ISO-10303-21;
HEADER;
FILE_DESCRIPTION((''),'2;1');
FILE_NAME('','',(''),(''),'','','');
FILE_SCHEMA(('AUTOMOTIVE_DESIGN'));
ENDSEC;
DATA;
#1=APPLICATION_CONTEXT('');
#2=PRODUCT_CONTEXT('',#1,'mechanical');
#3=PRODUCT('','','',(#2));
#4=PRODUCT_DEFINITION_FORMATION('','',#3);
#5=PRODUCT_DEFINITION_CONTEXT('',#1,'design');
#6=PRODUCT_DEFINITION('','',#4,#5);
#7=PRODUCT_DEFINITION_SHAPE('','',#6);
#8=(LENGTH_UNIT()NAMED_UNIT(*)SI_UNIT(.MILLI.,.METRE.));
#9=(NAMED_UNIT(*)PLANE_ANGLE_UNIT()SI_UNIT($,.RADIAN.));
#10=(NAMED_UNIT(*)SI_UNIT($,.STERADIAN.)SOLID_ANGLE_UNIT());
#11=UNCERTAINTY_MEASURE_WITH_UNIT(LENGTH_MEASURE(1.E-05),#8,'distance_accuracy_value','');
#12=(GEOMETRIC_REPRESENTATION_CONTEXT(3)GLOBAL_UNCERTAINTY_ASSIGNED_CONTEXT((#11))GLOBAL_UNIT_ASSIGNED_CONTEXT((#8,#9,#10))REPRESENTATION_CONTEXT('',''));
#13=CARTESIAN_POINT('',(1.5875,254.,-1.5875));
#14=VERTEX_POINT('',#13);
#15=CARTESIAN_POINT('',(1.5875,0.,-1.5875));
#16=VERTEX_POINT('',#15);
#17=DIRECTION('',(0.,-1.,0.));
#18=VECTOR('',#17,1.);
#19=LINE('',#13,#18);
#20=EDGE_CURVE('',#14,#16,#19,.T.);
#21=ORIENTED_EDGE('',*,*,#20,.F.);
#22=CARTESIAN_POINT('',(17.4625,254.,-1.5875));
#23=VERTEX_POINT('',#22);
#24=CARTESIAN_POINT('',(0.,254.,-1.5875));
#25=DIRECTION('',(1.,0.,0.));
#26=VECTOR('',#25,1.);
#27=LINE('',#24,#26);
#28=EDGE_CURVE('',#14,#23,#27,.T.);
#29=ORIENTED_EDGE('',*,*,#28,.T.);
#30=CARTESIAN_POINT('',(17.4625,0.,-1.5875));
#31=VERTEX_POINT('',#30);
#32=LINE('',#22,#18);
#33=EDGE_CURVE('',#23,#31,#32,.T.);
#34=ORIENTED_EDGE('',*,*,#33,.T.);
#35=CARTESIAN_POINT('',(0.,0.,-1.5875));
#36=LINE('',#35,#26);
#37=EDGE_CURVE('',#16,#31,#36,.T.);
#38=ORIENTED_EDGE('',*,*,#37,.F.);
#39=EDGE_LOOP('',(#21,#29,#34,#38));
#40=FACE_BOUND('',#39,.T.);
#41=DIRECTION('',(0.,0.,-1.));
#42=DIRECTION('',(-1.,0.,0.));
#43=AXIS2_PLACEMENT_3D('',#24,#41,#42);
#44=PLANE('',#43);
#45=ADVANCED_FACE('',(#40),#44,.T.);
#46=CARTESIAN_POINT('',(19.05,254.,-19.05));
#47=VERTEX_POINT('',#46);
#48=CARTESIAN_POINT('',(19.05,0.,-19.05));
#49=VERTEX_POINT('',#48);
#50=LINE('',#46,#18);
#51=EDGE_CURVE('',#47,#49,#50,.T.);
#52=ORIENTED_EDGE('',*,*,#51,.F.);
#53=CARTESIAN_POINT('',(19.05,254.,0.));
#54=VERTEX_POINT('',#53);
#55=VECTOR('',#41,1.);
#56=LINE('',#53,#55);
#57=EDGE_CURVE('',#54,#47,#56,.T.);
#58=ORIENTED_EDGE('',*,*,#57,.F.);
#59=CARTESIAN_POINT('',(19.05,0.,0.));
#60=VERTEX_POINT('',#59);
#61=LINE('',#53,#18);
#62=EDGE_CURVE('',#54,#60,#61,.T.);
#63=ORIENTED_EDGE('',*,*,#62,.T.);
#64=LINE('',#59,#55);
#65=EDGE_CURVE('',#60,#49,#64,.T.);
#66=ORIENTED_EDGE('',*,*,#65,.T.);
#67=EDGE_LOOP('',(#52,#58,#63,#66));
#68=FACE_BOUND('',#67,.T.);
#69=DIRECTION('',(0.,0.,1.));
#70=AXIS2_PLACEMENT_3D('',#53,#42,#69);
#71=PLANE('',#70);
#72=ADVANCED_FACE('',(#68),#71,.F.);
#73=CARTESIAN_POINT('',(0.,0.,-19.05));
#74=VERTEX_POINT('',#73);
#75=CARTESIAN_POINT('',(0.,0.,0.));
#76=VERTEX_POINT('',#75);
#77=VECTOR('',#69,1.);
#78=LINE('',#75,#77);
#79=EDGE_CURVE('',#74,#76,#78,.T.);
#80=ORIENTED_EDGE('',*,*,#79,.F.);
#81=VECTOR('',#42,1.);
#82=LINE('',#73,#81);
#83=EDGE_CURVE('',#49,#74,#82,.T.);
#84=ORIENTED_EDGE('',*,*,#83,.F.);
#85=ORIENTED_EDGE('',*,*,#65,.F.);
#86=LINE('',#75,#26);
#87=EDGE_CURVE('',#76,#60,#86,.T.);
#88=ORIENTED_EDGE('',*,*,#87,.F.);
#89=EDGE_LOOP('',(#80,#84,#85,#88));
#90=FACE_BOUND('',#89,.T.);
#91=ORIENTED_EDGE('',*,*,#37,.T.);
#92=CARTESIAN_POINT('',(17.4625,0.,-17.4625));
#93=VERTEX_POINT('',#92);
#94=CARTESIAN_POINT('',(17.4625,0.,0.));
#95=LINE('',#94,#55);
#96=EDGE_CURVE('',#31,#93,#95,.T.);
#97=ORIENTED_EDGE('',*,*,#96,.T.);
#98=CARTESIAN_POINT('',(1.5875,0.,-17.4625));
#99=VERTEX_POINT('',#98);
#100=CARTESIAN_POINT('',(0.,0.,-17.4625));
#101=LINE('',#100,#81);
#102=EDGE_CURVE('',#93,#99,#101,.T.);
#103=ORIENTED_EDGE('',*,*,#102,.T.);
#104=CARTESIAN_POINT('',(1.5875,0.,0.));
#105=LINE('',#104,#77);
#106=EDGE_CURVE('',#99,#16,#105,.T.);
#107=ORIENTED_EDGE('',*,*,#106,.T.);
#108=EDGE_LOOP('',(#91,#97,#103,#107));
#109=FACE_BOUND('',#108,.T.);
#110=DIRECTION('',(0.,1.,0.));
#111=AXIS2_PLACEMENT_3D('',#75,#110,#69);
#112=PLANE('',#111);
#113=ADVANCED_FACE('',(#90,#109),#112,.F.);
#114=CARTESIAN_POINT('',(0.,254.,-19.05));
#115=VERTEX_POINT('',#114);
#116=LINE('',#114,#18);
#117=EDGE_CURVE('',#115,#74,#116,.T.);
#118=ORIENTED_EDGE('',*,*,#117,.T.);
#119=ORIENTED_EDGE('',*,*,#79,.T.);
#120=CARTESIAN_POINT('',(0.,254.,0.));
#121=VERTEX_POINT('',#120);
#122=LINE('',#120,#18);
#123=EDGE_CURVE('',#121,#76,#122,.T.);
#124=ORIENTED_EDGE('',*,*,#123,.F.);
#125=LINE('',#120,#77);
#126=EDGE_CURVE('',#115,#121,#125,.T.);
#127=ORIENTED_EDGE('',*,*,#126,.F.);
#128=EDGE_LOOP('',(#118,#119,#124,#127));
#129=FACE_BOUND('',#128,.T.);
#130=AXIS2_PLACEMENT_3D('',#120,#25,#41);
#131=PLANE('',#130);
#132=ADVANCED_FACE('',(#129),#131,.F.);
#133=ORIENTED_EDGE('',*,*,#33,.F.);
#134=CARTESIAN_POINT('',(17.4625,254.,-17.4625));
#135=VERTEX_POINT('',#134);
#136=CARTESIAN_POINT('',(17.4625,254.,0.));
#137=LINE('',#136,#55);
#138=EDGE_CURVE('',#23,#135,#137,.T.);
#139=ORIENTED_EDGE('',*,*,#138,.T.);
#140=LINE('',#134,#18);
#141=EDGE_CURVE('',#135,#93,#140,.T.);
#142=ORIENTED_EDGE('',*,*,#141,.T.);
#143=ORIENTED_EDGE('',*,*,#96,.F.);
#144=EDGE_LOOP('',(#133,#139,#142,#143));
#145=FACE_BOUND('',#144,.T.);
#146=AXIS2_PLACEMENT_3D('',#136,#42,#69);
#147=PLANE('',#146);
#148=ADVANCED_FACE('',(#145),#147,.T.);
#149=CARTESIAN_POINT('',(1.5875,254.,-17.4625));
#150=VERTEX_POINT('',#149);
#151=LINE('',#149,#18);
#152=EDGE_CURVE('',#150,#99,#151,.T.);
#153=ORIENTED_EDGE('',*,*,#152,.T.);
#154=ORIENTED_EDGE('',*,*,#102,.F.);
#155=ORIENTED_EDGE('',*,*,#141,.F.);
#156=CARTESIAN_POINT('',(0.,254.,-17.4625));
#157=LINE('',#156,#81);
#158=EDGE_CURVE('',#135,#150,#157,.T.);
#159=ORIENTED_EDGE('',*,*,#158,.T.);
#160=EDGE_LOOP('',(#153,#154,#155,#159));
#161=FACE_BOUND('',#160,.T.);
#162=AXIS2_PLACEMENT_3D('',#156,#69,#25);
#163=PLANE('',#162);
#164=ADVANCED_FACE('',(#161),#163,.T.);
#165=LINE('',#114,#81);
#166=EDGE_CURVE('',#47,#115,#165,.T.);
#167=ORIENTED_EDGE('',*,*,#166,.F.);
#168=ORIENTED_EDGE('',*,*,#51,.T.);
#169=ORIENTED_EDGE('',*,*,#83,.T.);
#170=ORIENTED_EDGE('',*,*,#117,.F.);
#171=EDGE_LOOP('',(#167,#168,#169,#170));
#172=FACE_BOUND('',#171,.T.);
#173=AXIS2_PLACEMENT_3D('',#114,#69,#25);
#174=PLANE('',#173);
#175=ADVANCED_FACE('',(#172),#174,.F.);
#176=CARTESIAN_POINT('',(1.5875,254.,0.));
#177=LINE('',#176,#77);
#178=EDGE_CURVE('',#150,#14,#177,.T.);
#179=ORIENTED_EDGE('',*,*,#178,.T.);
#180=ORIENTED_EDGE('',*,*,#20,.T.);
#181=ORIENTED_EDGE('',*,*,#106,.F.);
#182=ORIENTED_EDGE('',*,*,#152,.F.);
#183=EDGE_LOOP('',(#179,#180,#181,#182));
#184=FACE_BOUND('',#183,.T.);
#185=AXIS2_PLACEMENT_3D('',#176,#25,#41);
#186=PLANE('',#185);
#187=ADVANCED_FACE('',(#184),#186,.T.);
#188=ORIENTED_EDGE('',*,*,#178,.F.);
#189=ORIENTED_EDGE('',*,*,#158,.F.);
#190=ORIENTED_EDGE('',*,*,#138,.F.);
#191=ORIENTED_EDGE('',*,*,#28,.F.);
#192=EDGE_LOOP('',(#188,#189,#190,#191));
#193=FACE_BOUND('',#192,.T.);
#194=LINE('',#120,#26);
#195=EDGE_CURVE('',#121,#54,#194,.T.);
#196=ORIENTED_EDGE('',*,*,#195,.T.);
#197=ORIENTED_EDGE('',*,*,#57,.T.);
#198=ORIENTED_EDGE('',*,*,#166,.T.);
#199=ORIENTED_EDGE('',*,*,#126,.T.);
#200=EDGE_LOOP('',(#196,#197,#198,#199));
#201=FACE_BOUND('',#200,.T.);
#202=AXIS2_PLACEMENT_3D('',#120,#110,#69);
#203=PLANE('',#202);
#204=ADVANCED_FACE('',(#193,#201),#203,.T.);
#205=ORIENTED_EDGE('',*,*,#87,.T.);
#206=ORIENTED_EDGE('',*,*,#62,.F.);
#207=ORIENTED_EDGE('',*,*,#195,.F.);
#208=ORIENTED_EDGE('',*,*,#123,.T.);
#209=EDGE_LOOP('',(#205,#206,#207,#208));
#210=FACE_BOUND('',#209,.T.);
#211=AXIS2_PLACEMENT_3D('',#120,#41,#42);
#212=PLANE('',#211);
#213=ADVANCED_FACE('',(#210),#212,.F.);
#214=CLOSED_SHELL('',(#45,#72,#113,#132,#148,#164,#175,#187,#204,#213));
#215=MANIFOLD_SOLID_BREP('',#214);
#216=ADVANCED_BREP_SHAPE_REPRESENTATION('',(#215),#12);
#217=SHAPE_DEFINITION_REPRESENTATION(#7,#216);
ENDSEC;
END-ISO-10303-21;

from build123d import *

# Parameters (mm, degrees)
SKETCH1_W           = 19.05
SKETCH1_H           = 19.05
SKETCH1_W_2         = 15.875
SKETCH1_H_2         = 15.875
EXTRUDE_THIN1_DEPTH = 254


with BuildPart() as part:
    # Sketch1 → Extrude-Thin1 (new body)
    with BuildSketch(Plane(origin=(0, 0, 0), x_dir=(1, 0, 0), z_dir=(0, 1, 0))):
        with Locations((9.525, 9.525)):
            Rectangle(SKETCH1_W, SKETCH1_H)
        with Locations((9.525, 9.525)):
            Rectangle(SKETCH1_W_2, SKETCH1_H_2, mode=Mode.SUBTRACT)
    extrude(amount=EXTRUDE_THIN1_DEPTH)


solid = part.part
